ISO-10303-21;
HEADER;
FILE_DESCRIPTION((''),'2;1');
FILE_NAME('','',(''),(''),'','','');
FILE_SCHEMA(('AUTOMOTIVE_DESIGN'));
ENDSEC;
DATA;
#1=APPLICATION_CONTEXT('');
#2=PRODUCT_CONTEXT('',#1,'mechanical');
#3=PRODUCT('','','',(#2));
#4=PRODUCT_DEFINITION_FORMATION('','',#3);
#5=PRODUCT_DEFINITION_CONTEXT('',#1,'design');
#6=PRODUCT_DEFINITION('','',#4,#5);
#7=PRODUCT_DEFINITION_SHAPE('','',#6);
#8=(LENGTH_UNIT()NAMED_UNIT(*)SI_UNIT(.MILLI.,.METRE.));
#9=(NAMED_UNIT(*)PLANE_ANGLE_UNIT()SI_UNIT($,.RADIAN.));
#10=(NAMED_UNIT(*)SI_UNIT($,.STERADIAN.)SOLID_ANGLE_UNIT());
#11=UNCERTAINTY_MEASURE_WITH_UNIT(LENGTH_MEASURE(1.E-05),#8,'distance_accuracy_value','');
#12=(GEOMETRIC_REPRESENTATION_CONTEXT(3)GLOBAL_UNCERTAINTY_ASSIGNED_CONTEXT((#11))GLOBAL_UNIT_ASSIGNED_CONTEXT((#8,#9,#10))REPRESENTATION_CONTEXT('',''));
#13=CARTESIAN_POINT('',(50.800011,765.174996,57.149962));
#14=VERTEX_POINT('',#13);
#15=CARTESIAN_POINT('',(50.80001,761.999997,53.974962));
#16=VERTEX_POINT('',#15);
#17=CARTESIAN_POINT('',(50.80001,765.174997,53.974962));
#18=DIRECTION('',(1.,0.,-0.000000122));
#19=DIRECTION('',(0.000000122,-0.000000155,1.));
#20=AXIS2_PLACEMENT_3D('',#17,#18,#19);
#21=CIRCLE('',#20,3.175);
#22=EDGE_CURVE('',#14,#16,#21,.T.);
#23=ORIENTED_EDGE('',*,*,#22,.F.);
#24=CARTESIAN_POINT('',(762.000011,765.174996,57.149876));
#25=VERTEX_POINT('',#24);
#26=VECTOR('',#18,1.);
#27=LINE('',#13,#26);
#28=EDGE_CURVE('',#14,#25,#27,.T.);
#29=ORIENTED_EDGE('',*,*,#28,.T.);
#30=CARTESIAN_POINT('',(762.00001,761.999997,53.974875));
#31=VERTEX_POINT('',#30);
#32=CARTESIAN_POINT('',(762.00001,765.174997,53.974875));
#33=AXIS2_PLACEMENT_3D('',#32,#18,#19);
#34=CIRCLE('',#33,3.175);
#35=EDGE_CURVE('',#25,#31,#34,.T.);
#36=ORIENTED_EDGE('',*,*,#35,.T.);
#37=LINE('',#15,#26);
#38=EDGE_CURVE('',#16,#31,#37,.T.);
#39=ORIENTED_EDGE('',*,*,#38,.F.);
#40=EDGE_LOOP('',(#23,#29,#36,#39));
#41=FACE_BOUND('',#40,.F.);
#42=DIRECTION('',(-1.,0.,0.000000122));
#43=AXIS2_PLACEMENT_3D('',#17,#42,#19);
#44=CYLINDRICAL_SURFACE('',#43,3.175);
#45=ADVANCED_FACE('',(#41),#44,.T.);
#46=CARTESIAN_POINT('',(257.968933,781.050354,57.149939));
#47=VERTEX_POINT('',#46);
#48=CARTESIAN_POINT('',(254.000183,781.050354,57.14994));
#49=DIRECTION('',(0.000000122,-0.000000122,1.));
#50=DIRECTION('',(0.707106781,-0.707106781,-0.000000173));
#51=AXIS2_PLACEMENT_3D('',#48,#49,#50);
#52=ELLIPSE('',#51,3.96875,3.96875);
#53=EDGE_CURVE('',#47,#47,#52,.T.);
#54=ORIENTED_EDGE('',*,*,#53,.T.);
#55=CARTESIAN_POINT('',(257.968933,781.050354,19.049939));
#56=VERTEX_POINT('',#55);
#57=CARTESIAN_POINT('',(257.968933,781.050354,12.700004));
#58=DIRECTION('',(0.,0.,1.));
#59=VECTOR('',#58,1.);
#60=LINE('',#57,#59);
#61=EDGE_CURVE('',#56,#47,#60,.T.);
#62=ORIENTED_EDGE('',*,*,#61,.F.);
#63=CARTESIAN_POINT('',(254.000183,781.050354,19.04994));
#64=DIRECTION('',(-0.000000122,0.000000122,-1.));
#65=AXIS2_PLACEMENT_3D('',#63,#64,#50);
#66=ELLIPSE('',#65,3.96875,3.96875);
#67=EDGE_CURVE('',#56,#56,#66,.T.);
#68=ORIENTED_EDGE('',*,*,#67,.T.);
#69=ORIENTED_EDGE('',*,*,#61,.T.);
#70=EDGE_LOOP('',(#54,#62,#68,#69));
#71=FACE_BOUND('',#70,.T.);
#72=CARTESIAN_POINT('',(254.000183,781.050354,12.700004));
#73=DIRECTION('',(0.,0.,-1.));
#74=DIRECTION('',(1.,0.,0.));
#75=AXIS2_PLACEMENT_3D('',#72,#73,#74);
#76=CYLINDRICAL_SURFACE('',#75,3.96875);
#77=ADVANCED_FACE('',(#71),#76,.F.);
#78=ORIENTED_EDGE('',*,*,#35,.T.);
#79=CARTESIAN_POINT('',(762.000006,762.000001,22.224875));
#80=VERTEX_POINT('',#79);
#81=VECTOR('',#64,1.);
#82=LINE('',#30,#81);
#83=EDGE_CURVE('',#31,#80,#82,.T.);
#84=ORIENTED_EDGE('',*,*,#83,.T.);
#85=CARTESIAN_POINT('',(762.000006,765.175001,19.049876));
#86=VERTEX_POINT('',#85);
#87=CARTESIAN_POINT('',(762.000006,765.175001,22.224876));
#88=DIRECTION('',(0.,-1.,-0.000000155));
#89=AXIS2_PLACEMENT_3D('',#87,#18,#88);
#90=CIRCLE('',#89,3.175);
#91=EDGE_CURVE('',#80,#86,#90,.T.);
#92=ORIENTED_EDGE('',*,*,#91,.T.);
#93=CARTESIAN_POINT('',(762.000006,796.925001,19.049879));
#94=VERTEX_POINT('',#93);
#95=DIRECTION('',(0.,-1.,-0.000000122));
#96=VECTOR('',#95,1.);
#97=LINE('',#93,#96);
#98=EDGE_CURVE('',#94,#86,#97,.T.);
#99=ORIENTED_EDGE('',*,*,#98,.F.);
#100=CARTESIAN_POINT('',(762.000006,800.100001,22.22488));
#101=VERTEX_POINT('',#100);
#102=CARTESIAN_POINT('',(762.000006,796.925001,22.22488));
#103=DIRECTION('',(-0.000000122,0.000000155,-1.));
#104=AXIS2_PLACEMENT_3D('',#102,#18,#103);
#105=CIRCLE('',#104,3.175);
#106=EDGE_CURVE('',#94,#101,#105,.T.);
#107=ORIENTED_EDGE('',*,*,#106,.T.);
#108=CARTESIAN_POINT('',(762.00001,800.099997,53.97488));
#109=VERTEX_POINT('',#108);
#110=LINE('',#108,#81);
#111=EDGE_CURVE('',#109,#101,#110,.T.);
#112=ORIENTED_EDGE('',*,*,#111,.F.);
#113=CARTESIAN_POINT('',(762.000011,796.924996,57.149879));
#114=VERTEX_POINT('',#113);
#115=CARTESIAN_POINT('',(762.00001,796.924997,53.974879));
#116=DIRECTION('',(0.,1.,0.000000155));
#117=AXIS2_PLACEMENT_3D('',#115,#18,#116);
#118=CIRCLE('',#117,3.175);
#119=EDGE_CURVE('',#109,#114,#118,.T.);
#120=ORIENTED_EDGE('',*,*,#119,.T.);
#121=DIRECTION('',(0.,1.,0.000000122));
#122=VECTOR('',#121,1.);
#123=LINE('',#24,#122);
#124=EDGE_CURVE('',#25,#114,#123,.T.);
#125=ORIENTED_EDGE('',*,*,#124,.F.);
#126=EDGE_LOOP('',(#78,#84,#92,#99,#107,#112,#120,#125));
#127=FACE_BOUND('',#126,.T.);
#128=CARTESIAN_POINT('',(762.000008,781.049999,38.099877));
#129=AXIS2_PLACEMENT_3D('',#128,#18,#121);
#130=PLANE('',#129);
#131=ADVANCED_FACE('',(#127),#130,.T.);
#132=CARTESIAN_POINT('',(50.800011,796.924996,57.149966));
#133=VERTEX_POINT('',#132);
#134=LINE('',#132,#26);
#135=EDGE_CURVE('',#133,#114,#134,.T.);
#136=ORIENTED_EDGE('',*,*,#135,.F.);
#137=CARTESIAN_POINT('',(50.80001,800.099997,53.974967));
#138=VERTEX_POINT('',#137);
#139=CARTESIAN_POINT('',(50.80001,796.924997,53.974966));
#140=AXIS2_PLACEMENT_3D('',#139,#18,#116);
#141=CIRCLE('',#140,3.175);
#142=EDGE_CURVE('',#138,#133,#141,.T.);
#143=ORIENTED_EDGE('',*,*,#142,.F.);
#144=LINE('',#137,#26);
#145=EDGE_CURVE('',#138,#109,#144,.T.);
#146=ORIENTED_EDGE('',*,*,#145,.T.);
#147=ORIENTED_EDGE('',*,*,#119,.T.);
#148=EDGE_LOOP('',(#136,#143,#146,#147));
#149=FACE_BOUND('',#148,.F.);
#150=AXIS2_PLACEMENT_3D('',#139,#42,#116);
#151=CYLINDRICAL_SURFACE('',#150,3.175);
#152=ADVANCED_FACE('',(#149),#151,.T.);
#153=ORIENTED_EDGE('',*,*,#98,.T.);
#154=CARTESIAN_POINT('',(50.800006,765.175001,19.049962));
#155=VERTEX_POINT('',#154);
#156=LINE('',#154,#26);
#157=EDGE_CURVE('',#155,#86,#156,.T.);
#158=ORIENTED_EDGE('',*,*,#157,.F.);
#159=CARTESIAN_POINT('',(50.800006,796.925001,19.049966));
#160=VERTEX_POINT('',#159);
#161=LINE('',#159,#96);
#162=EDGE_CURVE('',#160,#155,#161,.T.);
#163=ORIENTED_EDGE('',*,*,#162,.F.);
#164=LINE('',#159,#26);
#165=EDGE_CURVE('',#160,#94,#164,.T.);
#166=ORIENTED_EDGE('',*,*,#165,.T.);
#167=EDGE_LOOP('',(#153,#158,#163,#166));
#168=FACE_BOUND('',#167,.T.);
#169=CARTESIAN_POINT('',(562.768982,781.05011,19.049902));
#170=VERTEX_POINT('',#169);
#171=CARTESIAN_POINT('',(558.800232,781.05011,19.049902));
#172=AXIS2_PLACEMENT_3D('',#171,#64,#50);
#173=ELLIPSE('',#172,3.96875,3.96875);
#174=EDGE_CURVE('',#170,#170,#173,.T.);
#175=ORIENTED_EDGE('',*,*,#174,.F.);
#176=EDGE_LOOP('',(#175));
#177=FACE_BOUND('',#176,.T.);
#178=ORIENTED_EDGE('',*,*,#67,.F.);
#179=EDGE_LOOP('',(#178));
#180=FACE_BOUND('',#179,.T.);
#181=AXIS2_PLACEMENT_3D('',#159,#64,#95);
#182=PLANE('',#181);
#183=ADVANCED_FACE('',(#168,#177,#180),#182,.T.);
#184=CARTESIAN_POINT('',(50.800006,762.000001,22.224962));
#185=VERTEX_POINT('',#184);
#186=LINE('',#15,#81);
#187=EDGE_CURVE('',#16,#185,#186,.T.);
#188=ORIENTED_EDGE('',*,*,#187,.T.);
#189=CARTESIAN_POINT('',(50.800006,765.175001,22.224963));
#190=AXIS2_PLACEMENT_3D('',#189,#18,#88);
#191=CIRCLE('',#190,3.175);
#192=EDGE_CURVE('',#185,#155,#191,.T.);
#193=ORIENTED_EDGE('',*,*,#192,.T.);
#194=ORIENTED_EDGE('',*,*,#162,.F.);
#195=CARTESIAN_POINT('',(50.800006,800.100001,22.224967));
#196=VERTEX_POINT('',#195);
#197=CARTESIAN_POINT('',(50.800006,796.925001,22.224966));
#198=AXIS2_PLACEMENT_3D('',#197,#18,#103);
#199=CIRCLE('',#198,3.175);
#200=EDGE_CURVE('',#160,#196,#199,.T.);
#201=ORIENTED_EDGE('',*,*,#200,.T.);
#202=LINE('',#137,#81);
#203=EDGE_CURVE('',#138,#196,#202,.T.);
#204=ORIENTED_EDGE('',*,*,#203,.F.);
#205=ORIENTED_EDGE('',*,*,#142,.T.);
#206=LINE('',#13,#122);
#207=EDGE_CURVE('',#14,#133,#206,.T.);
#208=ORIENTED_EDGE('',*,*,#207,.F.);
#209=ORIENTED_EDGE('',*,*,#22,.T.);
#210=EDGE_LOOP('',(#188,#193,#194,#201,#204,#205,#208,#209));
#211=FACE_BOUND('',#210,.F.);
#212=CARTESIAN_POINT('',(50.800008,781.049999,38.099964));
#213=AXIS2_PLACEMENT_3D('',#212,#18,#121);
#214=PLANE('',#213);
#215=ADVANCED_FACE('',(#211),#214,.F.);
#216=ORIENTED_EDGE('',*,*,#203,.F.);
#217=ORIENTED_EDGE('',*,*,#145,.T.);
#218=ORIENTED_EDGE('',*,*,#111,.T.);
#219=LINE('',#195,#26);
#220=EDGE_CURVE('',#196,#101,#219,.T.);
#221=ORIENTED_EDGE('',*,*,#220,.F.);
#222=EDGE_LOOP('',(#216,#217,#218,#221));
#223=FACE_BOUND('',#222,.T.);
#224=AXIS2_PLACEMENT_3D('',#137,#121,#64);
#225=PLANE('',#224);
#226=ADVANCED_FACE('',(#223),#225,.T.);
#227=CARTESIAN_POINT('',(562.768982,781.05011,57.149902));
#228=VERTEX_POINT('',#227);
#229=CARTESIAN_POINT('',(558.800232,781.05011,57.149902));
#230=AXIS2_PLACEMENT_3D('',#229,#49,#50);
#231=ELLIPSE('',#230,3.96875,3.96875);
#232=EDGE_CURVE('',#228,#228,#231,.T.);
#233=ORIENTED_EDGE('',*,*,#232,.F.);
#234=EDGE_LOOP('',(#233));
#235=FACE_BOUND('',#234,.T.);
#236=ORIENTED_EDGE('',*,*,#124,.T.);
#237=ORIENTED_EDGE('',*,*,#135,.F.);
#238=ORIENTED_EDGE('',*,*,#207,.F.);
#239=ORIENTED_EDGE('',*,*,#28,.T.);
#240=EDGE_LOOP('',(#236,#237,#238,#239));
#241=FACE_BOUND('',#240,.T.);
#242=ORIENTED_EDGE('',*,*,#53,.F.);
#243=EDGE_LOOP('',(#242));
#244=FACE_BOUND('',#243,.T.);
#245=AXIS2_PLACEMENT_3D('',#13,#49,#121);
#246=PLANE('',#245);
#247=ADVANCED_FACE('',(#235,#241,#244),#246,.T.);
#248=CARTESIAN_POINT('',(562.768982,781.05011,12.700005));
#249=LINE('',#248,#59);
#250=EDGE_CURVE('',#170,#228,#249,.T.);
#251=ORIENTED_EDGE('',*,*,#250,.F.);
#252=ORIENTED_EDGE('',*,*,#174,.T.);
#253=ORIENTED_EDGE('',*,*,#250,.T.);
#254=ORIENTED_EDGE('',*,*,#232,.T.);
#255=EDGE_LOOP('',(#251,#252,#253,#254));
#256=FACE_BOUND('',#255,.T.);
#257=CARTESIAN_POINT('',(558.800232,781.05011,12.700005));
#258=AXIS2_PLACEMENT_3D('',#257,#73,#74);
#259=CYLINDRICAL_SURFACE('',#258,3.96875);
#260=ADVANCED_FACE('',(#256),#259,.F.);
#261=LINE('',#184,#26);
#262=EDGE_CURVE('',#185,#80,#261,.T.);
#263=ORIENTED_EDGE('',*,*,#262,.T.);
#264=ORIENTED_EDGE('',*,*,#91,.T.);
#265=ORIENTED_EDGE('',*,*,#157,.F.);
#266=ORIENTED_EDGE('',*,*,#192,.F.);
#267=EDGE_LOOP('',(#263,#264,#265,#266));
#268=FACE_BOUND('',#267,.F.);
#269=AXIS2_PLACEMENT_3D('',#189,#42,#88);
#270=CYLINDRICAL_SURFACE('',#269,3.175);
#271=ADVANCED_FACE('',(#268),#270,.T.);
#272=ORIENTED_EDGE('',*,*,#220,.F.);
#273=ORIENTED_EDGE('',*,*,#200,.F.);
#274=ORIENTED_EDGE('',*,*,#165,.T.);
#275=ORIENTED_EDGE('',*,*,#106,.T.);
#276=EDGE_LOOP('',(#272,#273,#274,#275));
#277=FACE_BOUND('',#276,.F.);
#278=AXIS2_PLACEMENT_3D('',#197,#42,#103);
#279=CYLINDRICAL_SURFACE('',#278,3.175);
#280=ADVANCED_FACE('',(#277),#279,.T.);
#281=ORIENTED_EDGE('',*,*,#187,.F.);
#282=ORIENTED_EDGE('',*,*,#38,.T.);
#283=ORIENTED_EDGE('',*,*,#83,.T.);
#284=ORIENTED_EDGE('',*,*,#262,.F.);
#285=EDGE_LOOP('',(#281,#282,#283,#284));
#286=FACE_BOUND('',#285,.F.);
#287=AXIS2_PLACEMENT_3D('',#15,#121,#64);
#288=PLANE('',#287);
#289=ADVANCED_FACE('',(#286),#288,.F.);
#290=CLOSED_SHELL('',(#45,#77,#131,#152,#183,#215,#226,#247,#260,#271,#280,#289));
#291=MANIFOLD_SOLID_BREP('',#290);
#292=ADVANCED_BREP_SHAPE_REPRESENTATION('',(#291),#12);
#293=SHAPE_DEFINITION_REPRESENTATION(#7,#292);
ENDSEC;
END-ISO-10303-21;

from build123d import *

# Parameters (mm, degrees)
CYLINDER_R                 = 3.96875
CYLINDER_DEPTH             = 50.8
EXTRUDE014_DEPTH           = 711.2
EXTRUDE014_ROLL_ANGLE      = -90
EXTRUDE014_PLACEMENT_ANGLE = -90
LINK022_ROLL_ANGLE         = -179.999993
LINK022_PITCH_ANGLE        = 7e-06


with BuildPart() as cylinder:
    # Cylinder → Cylinder (new body)
    with BuildSketch(Plane(origin=(381, 203.2, 16.66875), x_dir=(1, 0, 0), z_dir=(0, 0, 1))):
        Circle(CYLINDER_R)
    extrude(amount=CYLINDER_DEPTH)


with BuildPart() as cylinder005:
    # Link082 base: copy of Cylinder
    add(cylinder.part)


with BuildPart() as cylinder005_1:
    # Link082 placement: moved
    add(cylinder005.part.moved(Location((177.800232, 577.85011, -3.968745))))


with BuildPart() as cylinder004:
    # Link081 base: copy of Cylinder
    add(cylinder.part)


with BuildPart() as cylinder004_1:
    # Link081 placement: moved
    add(cylinder004.part.moved(Location((-126.999817, 577.850354, -3.968746))))


with BuildPart() as baffle_frame_b:
    # Sketch014 → Extrude014 (new body)
    with BuildSketch(Plane.XY):
        with BuildLine():
            Line((0, 34.925), (0, 3.175))
            ThreePointArc((0, 3.175), (0.929936, 0.929936), (3.175, 0))
            Line((34.925, 0), (3.175, 0))
            ThreePointArc((34.925, 0), (37.170064, 0.929936), (38.1, 3.175))
            Line((38.1, 34.925), (38.1, 3.175))
            ThreePointArc((38.1, 34.925), (37.170064, 37.170064), (34.925, 38.1))
            Line((3.175, 38.1), (34.925, 38.1))
            ThreePointArc((3.175, 38.1), (0.929936, 37.170064), (0, 34.925))
        make_face()
    extrude(amount=EXTRUDE014_DEPTH)


with BuildPart() as baffle_frame_b_1:
    # Extrude014 roll: moved
    add(baffle_frame_b.part.rotate(Axis((0, 0, 0), (1, 0, 0)), EXTRUDE014_ROLL_ANGLE))


with BuildPart() as baffle_frame_b_2:
    # Extrude014 placement: moved
    add(baffle_frame_b_1.part.moved(Location((50.8, 800.1, 196.85))).rotate(Axis((50.8, 800.1, 196.85), (0, 0, 1)), EXTRUDE014_PLACEMENT_ANGLE))


with BuildPart() as baffle_frame_b_3:
    # Link022 roll: moved
    add(baffle_frame_b_2.part.rotate(Axis((0, 0, 0), (1, 0, 0)), LINK022_ROLL_ANGLE))


with BuildPart() as baffle_frame_b_4:
    # Link022 pitch: moved
    add(baffle_frame_b_3.part.rotate(Axis((0, 0, 0), (0, 1, 0)), LINK022_PITCH_ANGLE))


with BuildPart() as baffle_frame_b_5:
    # Link022 placement: moved
    add(baffle_frame_b_4.part.moved(Location((3e-05, 1562.099977, 215.900066))))

    # Cut004: cut Cylinder004
    add(cylinder004_1.part, mode=Mode.SUBTRACT)

    # Cut005: cut Cylinder005
    add(cylinder005_1.part, mode=Mode.SUBTRACT)


solid = baffle_frame_b_5.part
